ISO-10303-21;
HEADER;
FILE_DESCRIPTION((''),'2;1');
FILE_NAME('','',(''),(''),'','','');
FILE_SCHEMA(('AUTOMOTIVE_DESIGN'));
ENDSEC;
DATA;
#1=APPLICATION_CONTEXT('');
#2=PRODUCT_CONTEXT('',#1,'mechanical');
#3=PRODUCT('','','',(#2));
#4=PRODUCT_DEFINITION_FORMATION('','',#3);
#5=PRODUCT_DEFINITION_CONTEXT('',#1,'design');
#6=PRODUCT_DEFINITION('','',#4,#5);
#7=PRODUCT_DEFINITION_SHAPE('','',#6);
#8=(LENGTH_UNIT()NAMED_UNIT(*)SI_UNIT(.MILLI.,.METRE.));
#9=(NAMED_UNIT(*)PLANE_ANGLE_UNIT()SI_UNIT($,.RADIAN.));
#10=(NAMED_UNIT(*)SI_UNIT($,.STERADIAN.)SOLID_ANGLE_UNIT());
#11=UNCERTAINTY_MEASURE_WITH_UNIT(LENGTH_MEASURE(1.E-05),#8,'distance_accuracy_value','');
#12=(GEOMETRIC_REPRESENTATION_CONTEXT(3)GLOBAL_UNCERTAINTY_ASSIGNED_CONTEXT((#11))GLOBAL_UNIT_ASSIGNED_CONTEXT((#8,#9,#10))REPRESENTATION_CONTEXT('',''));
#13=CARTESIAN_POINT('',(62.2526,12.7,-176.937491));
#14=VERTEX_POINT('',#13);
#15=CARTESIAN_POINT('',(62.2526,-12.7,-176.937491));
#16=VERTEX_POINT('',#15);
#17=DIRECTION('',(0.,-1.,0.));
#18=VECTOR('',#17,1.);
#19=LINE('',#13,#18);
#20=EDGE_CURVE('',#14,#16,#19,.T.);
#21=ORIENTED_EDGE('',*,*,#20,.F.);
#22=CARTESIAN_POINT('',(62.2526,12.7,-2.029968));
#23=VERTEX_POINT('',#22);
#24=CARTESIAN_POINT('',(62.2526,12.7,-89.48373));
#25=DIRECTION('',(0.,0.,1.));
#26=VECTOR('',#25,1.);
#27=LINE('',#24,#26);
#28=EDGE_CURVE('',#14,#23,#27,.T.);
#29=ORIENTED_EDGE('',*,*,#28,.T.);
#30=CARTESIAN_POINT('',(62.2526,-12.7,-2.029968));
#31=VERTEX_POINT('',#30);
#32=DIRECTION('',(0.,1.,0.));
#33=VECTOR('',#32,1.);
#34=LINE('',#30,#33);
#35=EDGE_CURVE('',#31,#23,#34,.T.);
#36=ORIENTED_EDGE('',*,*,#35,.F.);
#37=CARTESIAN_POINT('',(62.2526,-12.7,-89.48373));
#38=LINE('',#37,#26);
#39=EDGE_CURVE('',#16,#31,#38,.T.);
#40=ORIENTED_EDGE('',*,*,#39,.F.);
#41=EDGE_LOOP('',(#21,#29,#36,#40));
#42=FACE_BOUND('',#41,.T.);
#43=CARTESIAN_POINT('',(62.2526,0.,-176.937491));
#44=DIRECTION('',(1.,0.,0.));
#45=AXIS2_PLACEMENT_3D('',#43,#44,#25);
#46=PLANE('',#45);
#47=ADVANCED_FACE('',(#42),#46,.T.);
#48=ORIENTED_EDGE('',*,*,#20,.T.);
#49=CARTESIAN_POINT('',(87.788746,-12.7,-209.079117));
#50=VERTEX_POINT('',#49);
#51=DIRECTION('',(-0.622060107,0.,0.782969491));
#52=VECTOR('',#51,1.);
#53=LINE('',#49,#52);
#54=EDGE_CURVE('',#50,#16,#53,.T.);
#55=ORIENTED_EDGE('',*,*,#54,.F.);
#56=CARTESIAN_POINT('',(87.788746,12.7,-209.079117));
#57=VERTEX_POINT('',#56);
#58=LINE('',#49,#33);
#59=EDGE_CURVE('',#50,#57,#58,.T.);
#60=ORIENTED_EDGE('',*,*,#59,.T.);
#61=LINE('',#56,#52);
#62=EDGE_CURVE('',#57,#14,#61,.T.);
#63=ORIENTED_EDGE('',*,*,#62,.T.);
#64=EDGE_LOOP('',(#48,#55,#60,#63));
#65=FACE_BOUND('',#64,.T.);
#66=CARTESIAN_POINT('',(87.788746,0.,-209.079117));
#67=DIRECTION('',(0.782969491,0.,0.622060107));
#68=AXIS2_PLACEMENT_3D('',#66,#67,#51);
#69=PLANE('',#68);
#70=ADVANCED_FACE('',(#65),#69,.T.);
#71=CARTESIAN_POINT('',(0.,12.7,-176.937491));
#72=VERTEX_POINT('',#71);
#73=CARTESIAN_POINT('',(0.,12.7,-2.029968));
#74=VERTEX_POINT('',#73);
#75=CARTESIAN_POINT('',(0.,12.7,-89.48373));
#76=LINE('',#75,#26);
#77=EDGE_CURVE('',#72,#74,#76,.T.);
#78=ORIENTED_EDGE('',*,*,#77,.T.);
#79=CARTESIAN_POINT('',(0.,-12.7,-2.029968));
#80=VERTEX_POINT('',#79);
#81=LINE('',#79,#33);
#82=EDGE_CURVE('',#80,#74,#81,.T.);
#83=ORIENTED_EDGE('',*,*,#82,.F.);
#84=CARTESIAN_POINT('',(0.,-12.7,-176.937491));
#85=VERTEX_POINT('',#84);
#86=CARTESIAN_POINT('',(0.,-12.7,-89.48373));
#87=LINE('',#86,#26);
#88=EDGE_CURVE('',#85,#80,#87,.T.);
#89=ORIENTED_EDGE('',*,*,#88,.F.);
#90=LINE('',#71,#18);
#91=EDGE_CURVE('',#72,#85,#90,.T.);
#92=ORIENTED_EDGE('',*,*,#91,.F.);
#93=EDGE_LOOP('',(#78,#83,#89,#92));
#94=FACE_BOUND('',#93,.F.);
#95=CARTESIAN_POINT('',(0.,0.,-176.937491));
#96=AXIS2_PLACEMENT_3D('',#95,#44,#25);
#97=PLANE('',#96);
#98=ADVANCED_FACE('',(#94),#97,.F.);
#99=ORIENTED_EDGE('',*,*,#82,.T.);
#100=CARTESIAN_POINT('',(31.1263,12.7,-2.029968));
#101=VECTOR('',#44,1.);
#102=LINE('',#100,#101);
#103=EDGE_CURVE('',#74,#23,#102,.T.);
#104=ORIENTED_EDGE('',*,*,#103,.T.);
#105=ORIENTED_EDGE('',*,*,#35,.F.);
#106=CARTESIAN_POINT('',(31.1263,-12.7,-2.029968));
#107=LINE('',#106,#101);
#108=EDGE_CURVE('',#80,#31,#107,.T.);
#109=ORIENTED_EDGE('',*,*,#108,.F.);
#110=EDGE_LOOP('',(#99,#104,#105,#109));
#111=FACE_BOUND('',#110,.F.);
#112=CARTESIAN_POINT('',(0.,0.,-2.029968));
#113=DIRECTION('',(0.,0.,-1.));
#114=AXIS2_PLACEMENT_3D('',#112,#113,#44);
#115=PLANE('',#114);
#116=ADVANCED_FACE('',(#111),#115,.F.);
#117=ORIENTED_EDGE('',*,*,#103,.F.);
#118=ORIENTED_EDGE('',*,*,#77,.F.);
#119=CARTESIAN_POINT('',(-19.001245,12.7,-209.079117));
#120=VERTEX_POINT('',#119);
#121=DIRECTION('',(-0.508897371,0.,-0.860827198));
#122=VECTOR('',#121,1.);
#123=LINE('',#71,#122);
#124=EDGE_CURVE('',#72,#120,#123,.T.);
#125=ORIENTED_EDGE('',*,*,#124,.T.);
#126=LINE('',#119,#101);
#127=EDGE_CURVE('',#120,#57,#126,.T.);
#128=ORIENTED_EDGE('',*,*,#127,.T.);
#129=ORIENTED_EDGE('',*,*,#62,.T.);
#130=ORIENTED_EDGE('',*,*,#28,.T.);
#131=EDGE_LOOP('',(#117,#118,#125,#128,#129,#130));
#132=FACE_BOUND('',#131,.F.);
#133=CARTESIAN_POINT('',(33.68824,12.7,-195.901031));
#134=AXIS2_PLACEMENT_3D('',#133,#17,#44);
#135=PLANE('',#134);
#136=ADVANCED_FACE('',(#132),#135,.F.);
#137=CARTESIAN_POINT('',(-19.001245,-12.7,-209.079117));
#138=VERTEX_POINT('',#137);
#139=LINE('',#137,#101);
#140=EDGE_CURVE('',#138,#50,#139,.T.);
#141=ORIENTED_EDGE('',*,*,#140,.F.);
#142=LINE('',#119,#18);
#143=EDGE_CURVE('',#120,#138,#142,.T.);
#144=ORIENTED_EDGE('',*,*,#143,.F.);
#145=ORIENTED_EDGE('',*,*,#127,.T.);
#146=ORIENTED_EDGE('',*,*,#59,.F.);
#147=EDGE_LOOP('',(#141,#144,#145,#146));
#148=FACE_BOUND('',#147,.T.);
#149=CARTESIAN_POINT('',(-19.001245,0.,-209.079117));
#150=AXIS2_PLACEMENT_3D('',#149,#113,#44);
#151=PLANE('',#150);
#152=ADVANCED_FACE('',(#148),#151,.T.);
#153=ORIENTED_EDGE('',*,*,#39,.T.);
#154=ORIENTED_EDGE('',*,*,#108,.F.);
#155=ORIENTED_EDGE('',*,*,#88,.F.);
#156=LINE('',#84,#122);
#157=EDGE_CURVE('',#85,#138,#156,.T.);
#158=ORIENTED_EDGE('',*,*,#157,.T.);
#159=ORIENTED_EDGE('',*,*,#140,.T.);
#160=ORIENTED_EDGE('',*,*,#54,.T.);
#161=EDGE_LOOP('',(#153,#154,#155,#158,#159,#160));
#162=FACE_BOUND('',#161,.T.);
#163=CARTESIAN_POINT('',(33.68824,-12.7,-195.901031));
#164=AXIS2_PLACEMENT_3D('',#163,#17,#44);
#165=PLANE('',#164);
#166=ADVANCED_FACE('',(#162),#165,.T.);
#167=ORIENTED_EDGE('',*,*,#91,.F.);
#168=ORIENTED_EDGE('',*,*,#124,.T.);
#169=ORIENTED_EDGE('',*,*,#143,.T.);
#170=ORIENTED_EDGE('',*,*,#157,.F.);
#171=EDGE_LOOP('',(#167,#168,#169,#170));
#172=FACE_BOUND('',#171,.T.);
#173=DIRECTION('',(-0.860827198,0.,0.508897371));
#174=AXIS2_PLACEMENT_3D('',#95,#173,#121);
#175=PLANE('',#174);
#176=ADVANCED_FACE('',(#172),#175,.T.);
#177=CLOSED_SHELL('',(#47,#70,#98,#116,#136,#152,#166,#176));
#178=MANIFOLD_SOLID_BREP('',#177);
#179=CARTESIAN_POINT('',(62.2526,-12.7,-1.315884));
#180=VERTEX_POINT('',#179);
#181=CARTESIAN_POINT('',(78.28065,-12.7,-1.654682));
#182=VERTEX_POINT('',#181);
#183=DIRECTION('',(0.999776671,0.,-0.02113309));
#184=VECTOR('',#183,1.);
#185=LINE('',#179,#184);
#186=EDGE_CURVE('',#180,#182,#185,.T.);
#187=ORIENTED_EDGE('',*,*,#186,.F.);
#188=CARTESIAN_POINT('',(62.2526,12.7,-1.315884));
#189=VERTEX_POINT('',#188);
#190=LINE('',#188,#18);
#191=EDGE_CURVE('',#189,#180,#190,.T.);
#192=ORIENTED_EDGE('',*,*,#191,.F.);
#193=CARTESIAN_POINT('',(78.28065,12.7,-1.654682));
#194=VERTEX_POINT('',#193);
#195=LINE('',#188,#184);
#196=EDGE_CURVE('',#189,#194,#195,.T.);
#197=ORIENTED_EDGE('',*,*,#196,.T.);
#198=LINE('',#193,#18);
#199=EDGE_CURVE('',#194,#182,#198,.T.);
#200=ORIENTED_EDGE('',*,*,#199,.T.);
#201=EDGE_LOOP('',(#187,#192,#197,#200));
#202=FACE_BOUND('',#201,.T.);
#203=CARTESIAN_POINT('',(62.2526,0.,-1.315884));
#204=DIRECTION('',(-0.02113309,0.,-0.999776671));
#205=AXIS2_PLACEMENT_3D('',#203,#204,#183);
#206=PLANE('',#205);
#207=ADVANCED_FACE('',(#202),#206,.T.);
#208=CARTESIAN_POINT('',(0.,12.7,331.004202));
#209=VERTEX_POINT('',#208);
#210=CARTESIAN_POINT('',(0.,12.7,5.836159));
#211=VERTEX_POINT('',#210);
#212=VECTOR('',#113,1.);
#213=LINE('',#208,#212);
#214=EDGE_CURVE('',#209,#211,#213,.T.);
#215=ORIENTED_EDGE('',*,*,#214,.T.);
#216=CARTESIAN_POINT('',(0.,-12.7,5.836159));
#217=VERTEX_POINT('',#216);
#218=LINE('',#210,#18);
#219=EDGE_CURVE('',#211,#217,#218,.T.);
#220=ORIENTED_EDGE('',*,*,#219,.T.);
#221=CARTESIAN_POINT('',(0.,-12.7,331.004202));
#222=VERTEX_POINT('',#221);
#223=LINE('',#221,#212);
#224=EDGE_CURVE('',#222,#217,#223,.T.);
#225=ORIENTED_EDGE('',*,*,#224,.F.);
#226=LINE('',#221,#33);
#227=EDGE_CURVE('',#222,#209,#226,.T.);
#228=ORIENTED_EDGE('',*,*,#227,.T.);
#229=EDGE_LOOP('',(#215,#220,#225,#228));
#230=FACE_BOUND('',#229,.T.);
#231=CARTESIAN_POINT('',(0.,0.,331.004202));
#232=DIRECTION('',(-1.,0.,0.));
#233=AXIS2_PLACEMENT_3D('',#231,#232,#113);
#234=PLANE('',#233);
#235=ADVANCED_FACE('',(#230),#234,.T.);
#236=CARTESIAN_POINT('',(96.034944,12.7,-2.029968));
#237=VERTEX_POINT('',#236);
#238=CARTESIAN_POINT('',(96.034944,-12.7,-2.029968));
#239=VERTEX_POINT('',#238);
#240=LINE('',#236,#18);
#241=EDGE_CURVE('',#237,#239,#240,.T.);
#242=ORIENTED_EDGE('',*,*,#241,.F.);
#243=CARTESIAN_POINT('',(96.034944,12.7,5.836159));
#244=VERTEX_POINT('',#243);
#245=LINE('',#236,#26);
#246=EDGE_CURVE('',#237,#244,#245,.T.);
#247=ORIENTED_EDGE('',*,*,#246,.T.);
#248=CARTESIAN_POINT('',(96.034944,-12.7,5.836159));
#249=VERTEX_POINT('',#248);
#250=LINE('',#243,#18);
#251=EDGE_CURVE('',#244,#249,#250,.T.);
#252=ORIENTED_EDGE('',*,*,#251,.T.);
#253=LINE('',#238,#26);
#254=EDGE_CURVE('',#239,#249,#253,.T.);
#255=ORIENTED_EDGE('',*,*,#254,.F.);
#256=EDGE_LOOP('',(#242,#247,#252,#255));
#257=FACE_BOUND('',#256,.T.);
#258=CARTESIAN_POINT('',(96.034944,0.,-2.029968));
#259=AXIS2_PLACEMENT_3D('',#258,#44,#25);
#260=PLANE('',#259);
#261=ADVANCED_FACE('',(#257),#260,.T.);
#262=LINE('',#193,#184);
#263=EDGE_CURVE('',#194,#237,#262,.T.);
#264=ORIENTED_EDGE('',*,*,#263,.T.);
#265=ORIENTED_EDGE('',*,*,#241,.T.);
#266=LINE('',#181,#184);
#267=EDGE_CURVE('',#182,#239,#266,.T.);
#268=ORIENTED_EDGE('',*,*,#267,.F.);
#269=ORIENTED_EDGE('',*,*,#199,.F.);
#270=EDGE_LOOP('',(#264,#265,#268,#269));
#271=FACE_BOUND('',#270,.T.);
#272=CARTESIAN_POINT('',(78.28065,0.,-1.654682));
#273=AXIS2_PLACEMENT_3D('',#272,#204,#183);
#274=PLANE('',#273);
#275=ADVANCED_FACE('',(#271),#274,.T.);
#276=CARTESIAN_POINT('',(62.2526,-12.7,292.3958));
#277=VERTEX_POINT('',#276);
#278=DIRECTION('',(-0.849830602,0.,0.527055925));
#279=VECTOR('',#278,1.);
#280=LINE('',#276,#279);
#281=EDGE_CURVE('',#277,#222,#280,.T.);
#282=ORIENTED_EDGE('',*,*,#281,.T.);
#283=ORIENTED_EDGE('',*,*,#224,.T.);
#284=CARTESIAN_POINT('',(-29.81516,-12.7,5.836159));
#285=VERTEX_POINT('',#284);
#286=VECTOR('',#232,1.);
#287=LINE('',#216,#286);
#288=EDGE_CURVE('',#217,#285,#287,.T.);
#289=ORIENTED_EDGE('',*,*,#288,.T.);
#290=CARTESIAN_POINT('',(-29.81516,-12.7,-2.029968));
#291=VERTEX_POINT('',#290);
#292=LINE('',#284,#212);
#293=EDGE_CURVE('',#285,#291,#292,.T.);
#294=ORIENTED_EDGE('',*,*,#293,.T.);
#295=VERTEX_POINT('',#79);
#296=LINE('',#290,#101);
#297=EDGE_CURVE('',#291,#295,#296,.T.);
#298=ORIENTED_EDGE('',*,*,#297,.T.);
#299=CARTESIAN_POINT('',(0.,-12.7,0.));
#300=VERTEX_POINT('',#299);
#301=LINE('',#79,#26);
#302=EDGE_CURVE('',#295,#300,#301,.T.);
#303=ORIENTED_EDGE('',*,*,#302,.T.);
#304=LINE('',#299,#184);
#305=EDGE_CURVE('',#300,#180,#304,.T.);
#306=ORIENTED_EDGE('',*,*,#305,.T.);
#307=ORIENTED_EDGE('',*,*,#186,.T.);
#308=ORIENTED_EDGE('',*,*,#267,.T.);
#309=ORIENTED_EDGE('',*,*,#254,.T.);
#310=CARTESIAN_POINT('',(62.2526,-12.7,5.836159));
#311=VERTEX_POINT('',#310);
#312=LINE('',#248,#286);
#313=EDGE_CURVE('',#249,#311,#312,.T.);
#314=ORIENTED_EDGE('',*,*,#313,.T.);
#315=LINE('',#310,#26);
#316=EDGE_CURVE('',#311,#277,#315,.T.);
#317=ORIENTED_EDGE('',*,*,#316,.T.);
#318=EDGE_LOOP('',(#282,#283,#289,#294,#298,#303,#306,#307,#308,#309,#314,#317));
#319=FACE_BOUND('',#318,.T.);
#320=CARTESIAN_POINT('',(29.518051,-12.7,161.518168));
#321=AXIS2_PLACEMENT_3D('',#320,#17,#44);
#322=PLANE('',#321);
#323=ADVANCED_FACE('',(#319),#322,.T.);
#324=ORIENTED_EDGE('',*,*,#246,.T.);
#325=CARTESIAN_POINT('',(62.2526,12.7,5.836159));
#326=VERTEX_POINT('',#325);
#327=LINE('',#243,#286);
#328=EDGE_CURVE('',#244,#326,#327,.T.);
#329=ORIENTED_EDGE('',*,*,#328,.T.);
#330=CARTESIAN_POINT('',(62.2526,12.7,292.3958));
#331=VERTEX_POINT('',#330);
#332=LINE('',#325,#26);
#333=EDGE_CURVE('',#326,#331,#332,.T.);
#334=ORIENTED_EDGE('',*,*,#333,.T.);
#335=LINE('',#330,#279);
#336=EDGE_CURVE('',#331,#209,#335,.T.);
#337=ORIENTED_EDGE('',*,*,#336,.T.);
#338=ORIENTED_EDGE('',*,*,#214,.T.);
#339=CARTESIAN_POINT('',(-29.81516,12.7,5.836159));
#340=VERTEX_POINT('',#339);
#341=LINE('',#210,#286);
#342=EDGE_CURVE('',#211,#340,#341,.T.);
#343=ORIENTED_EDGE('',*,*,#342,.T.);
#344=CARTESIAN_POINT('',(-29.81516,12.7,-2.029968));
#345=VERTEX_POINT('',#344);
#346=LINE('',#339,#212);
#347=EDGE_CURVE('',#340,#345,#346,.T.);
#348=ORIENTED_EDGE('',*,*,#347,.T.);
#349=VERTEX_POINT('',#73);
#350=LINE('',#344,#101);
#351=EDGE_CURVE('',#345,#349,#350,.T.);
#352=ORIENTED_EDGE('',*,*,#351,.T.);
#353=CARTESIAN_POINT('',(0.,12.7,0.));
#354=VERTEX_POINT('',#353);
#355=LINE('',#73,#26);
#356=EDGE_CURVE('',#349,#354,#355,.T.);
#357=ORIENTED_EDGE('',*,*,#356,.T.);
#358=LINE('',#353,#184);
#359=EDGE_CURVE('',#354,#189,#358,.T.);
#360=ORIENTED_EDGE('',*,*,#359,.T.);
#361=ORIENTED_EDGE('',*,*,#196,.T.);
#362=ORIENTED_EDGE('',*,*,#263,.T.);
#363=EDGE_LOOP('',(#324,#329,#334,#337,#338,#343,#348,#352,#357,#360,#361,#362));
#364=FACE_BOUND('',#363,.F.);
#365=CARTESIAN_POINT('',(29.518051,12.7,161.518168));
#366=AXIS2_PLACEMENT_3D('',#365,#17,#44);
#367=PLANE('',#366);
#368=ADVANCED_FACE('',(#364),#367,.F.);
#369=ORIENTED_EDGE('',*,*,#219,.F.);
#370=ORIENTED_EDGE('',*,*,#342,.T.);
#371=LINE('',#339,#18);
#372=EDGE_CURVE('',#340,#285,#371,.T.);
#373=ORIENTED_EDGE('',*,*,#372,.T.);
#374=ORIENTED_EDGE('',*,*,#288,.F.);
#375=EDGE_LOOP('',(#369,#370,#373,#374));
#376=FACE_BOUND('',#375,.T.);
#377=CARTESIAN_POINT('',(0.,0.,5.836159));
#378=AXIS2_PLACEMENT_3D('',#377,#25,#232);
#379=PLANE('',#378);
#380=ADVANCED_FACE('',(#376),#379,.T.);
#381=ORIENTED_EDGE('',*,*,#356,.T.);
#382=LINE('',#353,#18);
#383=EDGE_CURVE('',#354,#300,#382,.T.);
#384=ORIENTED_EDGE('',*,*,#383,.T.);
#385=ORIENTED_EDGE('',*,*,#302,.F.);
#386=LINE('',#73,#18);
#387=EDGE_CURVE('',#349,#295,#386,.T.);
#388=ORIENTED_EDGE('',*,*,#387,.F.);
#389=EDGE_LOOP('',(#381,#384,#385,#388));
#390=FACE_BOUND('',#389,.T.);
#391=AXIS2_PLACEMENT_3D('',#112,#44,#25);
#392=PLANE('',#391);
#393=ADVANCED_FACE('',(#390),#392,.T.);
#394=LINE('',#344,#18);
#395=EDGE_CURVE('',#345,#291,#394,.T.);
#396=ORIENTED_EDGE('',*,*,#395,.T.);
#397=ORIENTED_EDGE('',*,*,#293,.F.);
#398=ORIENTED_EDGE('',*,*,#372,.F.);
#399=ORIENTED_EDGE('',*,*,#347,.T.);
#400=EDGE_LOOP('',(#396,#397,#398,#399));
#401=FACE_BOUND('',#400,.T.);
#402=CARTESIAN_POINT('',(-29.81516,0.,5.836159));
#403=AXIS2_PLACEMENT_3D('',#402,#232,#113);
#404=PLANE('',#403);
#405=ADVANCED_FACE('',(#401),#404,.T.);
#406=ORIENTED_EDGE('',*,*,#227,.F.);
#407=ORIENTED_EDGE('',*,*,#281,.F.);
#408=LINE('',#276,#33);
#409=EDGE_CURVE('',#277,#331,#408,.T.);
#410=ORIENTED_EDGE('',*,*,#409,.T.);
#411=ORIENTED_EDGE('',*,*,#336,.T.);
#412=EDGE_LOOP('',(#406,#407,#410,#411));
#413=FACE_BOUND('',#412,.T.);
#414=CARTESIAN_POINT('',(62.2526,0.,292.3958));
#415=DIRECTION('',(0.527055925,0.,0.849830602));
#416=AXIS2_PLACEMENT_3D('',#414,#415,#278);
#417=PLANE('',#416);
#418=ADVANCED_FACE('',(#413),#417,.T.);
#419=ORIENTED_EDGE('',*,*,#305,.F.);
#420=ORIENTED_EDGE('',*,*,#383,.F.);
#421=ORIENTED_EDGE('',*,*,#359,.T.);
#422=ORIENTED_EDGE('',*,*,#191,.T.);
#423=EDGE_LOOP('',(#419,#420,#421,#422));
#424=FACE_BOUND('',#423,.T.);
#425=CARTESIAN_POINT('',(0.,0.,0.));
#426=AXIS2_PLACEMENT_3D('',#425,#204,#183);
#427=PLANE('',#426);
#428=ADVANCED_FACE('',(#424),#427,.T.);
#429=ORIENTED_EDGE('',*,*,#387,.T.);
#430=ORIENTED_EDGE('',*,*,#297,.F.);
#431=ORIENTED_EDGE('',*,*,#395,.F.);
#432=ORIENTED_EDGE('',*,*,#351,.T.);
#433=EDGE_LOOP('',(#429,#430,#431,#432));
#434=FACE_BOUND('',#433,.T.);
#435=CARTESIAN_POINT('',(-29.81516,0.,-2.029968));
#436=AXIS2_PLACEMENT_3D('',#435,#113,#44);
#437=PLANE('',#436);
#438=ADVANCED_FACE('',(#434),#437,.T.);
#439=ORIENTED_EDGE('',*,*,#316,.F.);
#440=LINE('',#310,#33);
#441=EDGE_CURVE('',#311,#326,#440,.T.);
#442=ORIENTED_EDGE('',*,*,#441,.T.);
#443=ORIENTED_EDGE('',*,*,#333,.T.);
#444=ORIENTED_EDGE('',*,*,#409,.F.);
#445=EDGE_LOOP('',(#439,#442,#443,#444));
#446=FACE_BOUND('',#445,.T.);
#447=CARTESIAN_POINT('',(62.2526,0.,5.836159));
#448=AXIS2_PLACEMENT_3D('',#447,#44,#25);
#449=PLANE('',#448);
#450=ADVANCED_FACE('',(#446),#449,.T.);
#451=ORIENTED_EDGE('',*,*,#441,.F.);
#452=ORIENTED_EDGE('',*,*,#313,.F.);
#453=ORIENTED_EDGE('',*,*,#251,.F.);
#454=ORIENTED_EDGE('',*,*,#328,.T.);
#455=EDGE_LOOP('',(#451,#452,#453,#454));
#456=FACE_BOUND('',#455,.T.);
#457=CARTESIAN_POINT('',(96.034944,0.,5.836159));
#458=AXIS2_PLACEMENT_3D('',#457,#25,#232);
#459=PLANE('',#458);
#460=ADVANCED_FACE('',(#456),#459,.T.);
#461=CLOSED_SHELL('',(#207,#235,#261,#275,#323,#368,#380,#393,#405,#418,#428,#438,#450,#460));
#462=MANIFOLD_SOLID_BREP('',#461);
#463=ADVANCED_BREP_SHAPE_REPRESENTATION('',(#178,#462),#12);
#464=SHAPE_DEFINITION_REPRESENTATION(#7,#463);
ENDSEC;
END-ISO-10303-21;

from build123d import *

# Parameters (mm, degrees)
F0_W     = 62.252599746
F0_H     = 174.907522276
F1_DEPTH = 12.7
F2_DEPTH = 12.7


with BuildPart() as f1:
    # F0 (on Front) → F1 (new body, symmetric)
    with BuildSketch(Plane.XZ):
        with Locations((31.126299873, -89.4837295637)):
            Rectangle(F0_W, F0_H)
    extrude(amount=F1_DEPTH, both=True)

    # F0 (on Front) → F2 (join, symmetric)
    with BuildSketch(Plane.XZ):
        Polygon((62.252599746, -176.9374907017), (0, -176.9374907017), (-19.0012454987, -209.0791165829), (87.7887457609, -209.0791165829), align=None)
    extrude(amount=F2_DEPTH, both=True)


with BuildPart() as f1b:
    # F0 (on Front) → F1, piece 2 (new body, symmetric)
    with BuildSketch(Plane.XZ):
        Polygon((0, 331.0042023659), (0, 5.8361589909), (62.252599746, 5.8361589909), (62.252599746, 292.3958003521), align=None)
        Polygon((78.2806500793, 5.8361589909), (62.252599746, 5.8361589909), (62.252599746, -1.3158836415), (78.2806500793, -1.6546815283), align=None)
        Polygon((96.0349440575, 5.8361589909), (78.2806500793, 5.8361589909), (78.2806500793, -1.6546815283), (96.0349440575, -2.0299684256), align=None)
        Polygon((0, 5.8361589909), (-29.8151597381, 5.8361589909), (-29.8151597381, -2.0299684256), (0, -2.0299684256), (0, 0), (62.252599746, -1.3158836415), (62.252599746, 5.8361589909), align=None)
    extrude(amount=F1_DEPTH, both=True)


solid = Compound([f1.part, f1b.part])
